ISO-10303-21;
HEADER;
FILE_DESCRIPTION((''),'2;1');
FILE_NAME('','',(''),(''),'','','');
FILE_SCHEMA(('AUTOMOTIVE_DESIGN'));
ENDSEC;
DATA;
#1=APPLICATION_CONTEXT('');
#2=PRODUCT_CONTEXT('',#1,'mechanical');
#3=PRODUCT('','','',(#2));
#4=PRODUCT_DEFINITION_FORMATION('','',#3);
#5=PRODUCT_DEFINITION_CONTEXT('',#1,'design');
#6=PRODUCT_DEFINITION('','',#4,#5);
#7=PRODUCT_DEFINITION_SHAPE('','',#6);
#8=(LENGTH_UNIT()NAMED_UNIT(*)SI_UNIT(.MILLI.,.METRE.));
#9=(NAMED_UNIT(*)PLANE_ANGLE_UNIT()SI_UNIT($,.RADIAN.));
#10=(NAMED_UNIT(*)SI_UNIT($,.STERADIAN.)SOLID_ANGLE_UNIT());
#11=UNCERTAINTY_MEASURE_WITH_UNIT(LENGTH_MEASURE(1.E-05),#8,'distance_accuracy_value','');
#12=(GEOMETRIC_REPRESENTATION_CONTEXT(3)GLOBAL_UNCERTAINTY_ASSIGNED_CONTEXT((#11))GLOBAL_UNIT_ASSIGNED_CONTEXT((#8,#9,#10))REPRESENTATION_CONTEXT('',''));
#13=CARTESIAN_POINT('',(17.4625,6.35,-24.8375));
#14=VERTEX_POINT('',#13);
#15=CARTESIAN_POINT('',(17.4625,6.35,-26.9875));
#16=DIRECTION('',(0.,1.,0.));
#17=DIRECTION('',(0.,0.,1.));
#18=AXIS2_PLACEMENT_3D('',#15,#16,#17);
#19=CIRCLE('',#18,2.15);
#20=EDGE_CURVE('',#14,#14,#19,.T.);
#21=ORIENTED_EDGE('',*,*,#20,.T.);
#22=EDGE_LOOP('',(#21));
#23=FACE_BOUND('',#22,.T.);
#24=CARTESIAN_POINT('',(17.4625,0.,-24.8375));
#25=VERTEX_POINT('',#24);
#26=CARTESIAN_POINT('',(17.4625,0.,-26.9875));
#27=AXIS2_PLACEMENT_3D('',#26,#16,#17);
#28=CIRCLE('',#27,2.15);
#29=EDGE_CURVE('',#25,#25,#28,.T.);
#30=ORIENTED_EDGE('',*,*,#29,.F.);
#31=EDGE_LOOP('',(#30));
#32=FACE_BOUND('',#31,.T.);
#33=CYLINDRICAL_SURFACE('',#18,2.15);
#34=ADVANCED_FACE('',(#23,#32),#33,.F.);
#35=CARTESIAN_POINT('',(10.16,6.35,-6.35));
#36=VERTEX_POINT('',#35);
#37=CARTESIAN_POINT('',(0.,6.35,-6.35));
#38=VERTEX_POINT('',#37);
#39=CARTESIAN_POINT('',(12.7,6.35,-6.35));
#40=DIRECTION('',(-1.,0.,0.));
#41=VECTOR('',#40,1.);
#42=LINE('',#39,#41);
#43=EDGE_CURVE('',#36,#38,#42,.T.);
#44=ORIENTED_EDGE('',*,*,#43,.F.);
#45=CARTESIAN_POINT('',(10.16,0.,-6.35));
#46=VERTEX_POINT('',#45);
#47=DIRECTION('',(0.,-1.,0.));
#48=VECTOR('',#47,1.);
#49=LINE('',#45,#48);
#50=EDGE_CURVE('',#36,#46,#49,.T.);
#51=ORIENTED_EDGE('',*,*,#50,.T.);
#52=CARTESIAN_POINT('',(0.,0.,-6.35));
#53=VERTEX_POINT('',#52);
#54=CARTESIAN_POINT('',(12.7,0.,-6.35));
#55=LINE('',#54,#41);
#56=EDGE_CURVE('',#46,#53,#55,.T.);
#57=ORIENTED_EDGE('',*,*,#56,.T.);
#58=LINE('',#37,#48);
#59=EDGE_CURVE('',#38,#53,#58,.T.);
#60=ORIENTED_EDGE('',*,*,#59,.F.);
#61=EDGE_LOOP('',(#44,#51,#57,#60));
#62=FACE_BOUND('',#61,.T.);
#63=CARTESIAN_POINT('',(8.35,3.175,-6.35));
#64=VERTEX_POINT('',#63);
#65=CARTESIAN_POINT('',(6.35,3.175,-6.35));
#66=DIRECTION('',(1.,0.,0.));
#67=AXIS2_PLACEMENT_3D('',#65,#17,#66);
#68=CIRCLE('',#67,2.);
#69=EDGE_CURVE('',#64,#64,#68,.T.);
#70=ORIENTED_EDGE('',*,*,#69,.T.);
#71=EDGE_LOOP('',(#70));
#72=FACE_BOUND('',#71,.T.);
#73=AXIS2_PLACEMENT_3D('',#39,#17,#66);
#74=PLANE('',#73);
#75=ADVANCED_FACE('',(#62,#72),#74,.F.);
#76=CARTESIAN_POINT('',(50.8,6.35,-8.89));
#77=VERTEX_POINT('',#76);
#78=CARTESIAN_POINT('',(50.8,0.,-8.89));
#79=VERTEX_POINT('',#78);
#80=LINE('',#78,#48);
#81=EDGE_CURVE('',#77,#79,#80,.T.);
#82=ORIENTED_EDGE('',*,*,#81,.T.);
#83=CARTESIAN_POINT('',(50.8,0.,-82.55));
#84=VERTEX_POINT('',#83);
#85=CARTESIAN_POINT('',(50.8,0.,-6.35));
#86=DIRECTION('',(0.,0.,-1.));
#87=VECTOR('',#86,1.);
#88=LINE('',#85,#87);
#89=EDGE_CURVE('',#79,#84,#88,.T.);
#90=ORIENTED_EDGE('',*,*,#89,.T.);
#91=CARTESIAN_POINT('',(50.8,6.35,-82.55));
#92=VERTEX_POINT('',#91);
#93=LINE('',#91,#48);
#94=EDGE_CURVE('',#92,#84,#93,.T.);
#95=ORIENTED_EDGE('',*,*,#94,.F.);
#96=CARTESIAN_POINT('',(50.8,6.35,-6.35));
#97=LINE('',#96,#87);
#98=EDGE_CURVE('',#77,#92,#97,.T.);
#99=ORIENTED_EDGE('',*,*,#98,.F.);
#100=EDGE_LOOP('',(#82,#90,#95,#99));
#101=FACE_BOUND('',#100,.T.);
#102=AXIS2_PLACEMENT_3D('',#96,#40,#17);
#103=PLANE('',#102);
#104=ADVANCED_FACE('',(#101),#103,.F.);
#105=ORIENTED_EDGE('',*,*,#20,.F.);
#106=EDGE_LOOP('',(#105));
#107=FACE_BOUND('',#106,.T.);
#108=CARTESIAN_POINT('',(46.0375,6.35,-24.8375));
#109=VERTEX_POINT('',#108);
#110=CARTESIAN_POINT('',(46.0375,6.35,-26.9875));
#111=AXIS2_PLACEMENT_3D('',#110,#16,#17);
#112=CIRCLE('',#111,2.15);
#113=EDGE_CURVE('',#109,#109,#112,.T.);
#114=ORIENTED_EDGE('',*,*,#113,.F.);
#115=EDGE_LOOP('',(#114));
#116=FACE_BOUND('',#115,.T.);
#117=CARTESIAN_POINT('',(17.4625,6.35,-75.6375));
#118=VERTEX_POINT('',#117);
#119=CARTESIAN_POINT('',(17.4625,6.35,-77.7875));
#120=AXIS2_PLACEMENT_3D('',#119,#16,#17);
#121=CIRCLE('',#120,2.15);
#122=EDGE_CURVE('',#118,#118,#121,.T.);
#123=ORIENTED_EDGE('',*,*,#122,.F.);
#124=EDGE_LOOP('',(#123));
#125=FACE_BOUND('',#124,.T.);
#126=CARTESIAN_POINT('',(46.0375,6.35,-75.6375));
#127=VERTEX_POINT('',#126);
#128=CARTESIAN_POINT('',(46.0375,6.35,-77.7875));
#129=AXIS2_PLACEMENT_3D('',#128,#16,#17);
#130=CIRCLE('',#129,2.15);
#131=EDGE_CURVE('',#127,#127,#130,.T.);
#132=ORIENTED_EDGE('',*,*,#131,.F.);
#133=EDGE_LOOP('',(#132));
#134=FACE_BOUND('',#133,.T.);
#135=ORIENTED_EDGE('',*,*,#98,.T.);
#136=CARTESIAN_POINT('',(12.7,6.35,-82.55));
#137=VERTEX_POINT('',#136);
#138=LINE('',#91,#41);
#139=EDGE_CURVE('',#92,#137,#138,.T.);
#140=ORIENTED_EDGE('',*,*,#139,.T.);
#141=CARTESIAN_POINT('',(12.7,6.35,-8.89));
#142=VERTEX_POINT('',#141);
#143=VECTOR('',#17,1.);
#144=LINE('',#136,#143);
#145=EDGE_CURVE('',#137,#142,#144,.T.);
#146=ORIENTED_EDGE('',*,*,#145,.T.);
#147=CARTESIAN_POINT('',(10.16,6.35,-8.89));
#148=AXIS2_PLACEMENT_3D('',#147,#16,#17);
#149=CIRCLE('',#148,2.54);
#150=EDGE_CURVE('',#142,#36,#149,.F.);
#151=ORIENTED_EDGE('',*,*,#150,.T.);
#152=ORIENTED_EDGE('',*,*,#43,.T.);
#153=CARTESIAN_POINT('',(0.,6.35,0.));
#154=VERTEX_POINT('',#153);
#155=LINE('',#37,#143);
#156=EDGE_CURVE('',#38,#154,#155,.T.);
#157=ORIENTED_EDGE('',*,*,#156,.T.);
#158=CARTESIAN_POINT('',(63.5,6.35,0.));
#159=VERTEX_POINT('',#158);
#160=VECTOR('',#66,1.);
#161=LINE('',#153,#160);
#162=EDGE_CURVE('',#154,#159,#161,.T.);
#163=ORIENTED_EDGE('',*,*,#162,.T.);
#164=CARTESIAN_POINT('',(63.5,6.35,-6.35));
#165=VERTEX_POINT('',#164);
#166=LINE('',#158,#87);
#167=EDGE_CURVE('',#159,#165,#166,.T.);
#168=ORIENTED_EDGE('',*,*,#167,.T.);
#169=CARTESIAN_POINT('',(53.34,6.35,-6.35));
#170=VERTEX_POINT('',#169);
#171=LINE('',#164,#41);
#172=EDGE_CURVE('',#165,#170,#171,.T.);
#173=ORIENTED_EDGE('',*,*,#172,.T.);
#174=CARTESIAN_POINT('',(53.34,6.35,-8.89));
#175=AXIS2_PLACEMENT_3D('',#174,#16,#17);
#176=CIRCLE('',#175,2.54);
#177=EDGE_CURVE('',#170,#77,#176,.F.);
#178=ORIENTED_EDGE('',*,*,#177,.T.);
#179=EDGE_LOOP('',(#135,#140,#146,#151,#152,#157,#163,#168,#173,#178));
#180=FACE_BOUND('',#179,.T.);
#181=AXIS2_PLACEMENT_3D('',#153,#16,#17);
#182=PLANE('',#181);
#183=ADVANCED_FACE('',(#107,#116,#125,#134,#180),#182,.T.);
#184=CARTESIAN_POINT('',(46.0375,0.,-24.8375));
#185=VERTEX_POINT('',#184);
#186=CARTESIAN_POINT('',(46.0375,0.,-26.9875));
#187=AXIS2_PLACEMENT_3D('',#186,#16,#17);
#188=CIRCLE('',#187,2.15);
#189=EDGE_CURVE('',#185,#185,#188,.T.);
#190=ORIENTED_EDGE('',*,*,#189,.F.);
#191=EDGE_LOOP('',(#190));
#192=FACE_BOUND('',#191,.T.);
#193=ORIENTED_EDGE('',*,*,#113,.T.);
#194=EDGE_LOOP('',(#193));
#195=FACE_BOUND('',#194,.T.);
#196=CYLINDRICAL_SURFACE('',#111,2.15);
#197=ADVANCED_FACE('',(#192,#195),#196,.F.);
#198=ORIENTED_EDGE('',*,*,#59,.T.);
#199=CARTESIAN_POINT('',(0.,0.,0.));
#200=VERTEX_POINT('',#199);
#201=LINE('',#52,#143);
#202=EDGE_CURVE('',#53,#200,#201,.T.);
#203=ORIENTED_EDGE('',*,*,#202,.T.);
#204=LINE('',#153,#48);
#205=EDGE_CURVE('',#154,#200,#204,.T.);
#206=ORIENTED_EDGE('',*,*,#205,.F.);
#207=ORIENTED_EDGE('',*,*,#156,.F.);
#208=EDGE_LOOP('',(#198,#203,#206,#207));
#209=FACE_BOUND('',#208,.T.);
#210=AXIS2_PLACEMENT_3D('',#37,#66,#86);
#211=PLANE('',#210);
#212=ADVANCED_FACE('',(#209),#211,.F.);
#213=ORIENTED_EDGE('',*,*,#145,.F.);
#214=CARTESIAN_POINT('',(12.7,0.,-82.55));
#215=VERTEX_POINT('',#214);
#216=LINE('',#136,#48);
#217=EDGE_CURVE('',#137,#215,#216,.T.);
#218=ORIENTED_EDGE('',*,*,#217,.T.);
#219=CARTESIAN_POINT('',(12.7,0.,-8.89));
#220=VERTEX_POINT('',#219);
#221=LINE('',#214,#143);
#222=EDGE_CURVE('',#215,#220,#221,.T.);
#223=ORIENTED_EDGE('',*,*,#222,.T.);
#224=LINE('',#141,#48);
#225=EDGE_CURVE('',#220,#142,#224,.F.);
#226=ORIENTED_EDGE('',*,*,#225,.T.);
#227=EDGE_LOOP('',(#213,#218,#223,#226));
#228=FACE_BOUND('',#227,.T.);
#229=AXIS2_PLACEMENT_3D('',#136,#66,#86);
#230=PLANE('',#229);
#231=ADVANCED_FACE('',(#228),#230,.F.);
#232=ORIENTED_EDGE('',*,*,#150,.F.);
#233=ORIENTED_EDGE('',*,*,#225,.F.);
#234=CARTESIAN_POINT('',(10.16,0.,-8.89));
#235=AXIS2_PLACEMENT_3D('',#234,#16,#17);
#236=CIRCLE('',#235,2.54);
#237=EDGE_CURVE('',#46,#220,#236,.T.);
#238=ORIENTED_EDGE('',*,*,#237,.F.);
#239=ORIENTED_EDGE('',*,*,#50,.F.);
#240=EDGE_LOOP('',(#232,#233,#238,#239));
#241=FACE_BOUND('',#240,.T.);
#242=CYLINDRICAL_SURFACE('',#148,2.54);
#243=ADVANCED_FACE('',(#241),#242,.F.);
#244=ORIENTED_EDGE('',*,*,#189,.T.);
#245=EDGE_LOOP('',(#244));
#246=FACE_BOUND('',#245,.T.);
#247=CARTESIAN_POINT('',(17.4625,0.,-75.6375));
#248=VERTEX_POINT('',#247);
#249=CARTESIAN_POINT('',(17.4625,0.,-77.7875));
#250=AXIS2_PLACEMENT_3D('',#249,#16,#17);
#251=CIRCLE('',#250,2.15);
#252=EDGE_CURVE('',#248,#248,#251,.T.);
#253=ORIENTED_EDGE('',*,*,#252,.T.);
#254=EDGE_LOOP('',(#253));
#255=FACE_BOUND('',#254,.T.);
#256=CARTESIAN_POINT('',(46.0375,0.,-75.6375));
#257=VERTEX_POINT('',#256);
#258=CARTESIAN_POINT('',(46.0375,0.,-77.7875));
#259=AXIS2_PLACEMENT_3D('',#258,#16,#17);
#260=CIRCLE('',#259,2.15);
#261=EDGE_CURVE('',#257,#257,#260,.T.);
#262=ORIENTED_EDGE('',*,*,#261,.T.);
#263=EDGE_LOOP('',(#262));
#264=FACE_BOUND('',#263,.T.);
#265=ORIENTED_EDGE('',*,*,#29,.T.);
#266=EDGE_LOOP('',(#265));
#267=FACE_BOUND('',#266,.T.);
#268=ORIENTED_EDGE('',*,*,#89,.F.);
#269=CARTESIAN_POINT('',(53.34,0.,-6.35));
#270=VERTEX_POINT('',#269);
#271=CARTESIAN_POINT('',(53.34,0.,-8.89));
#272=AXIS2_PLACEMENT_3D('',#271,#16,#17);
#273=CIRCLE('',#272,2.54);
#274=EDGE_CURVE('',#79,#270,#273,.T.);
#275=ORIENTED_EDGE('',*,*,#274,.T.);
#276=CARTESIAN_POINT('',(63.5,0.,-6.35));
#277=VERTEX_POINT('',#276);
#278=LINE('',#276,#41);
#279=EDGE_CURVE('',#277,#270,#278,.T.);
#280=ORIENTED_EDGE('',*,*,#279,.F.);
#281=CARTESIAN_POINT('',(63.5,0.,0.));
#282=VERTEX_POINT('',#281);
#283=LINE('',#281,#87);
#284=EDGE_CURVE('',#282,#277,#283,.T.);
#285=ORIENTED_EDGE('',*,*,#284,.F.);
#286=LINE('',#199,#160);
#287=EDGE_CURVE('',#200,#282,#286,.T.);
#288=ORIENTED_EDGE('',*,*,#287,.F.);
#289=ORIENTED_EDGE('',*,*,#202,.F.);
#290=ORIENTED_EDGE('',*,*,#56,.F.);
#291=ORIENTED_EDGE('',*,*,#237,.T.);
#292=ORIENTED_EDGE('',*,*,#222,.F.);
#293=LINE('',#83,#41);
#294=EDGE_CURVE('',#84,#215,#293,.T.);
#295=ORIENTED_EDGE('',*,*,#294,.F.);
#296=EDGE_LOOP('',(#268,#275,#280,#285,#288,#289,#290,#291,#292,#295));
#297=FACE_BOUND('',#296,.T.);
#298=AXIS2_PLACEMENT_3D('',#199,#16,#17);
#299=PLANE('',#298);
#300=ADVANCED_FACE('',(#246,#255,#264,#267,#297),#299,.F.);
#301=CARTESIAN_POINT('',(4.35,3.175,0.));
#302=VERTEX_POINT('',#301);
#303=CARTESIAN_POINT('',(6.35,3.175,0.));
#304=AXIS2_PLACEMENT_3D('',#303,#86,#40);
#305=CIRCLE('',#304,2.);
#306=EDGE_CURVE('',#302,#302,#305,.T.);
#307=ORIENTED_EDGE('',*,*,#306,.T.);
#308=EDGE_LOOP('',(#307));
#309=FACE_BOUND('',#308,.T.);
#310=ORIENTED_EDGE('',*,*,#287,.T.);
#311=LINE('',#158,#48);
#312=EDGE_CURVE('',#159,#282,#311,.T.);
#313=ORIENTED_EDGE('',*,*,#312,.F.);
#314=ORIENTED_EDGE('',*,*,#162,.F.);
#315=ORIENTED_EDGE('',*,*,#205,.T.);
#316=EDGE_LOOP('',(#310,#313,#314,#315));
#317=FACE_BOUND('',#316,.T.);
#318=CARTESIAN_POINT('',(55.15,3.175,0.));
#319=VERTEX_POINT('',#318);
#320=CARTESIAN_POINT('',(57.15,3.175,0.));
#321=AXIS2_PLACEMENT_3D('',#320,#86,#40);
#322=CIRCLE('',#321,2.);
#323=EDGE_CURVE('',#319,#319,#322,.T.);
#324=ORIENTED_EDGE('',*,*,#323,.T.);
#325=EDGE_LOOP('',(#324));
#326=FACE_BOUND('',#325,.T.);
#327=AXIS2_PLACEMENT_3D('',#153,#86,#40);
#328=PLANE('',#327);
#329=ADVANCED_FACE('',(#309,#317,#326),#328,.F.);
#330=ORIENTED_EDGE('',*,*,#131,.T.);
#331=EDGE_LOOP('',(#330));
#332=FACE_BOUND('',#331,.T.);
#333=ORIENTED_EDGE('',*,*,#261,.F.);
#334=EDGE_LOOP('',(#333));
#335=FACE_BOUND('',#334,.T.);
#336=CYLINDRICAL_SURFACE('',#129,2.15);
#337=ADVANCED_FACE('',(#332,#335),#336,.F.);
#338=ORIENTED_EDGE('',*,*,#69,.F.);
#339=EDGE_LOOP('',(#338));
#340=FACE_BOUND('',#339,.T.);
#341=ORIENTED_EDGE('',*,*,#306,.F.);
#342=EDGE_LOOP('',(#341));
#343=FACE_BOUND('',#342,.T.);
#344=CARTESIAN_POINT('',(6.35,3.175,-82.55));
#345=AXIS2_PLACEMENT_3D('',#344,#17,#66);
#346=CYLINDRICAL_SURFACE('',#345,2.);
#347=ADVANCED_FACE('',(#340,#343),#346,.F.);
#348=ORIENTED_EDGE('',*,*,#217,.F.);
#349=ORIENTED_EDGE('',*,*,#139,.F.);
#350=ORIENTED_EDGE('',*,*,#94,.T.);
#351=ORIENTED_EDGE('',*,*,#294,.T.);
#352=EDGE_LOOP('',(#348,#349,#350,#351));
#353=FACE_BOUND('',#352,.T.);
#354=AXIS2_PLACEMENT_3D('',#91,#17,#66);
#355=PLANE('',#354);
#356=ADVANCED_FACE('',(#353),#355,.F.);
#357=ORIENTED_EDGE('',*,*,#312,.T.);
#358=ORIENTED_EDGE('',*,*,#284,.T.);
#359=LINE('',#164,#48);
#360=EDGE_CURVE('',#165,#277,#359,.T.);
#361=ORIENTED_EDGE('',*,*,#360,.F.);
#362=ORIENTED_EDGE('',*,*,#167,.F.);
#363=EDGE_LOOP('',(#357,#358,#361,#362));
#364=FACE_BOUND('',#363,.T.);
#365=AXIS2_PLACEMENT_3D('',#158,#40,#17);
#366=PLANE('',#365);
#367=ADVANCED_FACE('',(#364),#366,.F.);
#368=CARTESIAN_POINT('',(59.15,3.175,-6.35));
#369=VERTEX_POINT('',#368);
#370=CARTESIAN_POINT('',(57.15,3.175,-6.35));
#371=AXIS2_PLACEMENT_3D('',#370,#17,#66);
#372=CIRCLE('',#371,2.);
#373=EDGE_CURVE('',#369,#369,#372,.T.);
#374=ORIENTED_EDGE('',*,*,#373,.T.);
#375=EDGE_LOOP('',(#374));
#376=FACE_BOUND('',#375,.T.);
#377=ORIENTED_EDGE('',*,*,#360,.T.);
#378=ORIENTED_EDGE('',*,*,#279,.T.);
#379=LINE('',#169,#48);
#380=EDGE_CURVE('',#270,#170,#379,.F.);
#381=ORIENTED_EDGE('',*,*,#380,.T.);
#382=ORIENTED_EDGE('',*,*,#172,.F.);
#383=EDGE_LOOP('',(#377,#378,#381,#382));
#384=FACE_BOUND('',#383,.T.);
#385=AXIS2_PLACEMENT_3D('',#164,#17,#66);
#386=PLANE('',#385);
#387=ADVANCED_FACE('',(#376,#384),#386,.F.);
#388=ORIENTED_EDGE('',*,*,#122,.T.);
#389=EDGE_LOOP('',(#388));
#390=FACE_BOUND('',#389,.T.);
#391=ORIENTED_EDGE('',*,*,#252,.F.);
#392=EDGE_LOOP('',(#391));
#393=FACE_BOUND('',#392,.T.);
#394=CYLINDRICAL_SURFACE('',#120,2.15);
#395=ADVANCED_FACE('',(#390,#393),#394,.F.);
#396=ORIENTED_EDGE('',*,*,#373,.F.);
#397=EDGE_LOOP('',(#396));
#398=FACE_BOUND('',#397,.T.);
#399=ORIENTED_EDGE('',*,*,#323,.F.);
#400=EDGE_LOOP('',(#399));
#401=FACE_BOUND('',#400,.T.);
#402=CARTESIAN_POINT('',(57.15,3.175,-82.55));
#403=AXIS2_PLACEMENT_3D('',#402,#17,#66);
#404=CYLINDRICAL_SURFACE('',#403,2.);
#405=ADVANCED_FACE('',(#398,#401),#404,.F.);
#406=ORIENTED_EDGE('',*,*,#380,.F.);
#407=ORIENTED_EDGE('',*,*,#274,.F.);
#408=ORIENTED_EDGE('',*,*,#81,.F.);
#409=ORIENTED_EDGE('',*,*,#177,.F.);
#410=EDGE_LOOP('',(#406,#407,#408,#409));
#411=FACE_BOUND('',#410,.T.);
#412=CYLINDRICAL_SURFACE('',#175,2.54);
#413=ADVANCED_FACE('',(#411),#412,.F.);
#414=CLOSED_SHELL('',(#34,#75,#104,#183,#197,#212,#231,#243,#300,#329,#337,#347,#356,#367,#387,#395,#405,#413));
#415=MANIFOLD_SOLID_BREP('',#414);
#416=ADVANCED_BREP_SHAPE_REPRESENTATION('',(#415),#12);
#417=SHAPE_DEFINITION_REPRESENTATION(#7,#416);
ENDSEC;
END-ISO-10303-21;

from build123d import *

# Parameters (mm, degrees)
BOSS_EXTRUDE1_DEPTH     = 6.35
SKETCH2_R               = 2
CUT_EXTRUDE1_DEPTH      = 1
CUT_EXTRUDE1_DEPTH_BACK = 83.55
FILLET1_R               = 2.54
M4_CLEARANCE_HOLE1_D    = 4.3


with BuildPart() as part:
    # Sketch1 → Boss-Extrude1 (new body)
    with BuildSketch(Plane(origin=(0, 0, 0), x_dir=(1, 0, 0), z_dir=(0, 1, 0))):
        Polygon((0, 0), (63.5, 0), (63.5, 6.35), (50.8, 6.35), (50.8, 82.55), (12.7, 82.55), (12.7, 6.35), (0, 6.35), align=None)
    extrude(amount=BOSS_EXTRUDE1_DEPTH)

    # Sketch2 → Cut-Extrude1 (cut, two sides)
    with BuildSketch(Plane.XY) as cut_extrude1_sk:
        with Locations((6.35, 3.175)):
            Circle(SKETCH2_R)
        with Locations((57.15, 3.175)):
            Circle(SKETCH2_R)
    extrude(amount=CUT_EXTRUDE1_DEPTH, mode=Mode.SUBTRACT)
    extrude(cut_extrude1_sk.sketch, amount=-CUT_EXTRUDE1_DEPTH_BACK, mode=Mode.SUBTRACT)

    # Fillet1
    fillet1_edges = [part.edges().sort_by_distance(p)[0] for p in [
        (12.7, 3.175, -6.35),
        (50.8, 3.175, -6.35),
    ]]
    fillet(fillet1_edges, radius=FILLET1_R)

    # M4 Clearance Hole1 (through all)
    with Locations(Plane(origin=(0, 6.35, 0), x_dir=(1, 0, 0), z_dir=(0, 1, 0))):
        with Locations((17.4625, 77.7875), (46.0375, 77.7875), (46.0375, 26.9875), (17.4625, 26.9875)):
            Hole(M4_CLEARANCE_HOLE1_D / 2)


solid = part.part
